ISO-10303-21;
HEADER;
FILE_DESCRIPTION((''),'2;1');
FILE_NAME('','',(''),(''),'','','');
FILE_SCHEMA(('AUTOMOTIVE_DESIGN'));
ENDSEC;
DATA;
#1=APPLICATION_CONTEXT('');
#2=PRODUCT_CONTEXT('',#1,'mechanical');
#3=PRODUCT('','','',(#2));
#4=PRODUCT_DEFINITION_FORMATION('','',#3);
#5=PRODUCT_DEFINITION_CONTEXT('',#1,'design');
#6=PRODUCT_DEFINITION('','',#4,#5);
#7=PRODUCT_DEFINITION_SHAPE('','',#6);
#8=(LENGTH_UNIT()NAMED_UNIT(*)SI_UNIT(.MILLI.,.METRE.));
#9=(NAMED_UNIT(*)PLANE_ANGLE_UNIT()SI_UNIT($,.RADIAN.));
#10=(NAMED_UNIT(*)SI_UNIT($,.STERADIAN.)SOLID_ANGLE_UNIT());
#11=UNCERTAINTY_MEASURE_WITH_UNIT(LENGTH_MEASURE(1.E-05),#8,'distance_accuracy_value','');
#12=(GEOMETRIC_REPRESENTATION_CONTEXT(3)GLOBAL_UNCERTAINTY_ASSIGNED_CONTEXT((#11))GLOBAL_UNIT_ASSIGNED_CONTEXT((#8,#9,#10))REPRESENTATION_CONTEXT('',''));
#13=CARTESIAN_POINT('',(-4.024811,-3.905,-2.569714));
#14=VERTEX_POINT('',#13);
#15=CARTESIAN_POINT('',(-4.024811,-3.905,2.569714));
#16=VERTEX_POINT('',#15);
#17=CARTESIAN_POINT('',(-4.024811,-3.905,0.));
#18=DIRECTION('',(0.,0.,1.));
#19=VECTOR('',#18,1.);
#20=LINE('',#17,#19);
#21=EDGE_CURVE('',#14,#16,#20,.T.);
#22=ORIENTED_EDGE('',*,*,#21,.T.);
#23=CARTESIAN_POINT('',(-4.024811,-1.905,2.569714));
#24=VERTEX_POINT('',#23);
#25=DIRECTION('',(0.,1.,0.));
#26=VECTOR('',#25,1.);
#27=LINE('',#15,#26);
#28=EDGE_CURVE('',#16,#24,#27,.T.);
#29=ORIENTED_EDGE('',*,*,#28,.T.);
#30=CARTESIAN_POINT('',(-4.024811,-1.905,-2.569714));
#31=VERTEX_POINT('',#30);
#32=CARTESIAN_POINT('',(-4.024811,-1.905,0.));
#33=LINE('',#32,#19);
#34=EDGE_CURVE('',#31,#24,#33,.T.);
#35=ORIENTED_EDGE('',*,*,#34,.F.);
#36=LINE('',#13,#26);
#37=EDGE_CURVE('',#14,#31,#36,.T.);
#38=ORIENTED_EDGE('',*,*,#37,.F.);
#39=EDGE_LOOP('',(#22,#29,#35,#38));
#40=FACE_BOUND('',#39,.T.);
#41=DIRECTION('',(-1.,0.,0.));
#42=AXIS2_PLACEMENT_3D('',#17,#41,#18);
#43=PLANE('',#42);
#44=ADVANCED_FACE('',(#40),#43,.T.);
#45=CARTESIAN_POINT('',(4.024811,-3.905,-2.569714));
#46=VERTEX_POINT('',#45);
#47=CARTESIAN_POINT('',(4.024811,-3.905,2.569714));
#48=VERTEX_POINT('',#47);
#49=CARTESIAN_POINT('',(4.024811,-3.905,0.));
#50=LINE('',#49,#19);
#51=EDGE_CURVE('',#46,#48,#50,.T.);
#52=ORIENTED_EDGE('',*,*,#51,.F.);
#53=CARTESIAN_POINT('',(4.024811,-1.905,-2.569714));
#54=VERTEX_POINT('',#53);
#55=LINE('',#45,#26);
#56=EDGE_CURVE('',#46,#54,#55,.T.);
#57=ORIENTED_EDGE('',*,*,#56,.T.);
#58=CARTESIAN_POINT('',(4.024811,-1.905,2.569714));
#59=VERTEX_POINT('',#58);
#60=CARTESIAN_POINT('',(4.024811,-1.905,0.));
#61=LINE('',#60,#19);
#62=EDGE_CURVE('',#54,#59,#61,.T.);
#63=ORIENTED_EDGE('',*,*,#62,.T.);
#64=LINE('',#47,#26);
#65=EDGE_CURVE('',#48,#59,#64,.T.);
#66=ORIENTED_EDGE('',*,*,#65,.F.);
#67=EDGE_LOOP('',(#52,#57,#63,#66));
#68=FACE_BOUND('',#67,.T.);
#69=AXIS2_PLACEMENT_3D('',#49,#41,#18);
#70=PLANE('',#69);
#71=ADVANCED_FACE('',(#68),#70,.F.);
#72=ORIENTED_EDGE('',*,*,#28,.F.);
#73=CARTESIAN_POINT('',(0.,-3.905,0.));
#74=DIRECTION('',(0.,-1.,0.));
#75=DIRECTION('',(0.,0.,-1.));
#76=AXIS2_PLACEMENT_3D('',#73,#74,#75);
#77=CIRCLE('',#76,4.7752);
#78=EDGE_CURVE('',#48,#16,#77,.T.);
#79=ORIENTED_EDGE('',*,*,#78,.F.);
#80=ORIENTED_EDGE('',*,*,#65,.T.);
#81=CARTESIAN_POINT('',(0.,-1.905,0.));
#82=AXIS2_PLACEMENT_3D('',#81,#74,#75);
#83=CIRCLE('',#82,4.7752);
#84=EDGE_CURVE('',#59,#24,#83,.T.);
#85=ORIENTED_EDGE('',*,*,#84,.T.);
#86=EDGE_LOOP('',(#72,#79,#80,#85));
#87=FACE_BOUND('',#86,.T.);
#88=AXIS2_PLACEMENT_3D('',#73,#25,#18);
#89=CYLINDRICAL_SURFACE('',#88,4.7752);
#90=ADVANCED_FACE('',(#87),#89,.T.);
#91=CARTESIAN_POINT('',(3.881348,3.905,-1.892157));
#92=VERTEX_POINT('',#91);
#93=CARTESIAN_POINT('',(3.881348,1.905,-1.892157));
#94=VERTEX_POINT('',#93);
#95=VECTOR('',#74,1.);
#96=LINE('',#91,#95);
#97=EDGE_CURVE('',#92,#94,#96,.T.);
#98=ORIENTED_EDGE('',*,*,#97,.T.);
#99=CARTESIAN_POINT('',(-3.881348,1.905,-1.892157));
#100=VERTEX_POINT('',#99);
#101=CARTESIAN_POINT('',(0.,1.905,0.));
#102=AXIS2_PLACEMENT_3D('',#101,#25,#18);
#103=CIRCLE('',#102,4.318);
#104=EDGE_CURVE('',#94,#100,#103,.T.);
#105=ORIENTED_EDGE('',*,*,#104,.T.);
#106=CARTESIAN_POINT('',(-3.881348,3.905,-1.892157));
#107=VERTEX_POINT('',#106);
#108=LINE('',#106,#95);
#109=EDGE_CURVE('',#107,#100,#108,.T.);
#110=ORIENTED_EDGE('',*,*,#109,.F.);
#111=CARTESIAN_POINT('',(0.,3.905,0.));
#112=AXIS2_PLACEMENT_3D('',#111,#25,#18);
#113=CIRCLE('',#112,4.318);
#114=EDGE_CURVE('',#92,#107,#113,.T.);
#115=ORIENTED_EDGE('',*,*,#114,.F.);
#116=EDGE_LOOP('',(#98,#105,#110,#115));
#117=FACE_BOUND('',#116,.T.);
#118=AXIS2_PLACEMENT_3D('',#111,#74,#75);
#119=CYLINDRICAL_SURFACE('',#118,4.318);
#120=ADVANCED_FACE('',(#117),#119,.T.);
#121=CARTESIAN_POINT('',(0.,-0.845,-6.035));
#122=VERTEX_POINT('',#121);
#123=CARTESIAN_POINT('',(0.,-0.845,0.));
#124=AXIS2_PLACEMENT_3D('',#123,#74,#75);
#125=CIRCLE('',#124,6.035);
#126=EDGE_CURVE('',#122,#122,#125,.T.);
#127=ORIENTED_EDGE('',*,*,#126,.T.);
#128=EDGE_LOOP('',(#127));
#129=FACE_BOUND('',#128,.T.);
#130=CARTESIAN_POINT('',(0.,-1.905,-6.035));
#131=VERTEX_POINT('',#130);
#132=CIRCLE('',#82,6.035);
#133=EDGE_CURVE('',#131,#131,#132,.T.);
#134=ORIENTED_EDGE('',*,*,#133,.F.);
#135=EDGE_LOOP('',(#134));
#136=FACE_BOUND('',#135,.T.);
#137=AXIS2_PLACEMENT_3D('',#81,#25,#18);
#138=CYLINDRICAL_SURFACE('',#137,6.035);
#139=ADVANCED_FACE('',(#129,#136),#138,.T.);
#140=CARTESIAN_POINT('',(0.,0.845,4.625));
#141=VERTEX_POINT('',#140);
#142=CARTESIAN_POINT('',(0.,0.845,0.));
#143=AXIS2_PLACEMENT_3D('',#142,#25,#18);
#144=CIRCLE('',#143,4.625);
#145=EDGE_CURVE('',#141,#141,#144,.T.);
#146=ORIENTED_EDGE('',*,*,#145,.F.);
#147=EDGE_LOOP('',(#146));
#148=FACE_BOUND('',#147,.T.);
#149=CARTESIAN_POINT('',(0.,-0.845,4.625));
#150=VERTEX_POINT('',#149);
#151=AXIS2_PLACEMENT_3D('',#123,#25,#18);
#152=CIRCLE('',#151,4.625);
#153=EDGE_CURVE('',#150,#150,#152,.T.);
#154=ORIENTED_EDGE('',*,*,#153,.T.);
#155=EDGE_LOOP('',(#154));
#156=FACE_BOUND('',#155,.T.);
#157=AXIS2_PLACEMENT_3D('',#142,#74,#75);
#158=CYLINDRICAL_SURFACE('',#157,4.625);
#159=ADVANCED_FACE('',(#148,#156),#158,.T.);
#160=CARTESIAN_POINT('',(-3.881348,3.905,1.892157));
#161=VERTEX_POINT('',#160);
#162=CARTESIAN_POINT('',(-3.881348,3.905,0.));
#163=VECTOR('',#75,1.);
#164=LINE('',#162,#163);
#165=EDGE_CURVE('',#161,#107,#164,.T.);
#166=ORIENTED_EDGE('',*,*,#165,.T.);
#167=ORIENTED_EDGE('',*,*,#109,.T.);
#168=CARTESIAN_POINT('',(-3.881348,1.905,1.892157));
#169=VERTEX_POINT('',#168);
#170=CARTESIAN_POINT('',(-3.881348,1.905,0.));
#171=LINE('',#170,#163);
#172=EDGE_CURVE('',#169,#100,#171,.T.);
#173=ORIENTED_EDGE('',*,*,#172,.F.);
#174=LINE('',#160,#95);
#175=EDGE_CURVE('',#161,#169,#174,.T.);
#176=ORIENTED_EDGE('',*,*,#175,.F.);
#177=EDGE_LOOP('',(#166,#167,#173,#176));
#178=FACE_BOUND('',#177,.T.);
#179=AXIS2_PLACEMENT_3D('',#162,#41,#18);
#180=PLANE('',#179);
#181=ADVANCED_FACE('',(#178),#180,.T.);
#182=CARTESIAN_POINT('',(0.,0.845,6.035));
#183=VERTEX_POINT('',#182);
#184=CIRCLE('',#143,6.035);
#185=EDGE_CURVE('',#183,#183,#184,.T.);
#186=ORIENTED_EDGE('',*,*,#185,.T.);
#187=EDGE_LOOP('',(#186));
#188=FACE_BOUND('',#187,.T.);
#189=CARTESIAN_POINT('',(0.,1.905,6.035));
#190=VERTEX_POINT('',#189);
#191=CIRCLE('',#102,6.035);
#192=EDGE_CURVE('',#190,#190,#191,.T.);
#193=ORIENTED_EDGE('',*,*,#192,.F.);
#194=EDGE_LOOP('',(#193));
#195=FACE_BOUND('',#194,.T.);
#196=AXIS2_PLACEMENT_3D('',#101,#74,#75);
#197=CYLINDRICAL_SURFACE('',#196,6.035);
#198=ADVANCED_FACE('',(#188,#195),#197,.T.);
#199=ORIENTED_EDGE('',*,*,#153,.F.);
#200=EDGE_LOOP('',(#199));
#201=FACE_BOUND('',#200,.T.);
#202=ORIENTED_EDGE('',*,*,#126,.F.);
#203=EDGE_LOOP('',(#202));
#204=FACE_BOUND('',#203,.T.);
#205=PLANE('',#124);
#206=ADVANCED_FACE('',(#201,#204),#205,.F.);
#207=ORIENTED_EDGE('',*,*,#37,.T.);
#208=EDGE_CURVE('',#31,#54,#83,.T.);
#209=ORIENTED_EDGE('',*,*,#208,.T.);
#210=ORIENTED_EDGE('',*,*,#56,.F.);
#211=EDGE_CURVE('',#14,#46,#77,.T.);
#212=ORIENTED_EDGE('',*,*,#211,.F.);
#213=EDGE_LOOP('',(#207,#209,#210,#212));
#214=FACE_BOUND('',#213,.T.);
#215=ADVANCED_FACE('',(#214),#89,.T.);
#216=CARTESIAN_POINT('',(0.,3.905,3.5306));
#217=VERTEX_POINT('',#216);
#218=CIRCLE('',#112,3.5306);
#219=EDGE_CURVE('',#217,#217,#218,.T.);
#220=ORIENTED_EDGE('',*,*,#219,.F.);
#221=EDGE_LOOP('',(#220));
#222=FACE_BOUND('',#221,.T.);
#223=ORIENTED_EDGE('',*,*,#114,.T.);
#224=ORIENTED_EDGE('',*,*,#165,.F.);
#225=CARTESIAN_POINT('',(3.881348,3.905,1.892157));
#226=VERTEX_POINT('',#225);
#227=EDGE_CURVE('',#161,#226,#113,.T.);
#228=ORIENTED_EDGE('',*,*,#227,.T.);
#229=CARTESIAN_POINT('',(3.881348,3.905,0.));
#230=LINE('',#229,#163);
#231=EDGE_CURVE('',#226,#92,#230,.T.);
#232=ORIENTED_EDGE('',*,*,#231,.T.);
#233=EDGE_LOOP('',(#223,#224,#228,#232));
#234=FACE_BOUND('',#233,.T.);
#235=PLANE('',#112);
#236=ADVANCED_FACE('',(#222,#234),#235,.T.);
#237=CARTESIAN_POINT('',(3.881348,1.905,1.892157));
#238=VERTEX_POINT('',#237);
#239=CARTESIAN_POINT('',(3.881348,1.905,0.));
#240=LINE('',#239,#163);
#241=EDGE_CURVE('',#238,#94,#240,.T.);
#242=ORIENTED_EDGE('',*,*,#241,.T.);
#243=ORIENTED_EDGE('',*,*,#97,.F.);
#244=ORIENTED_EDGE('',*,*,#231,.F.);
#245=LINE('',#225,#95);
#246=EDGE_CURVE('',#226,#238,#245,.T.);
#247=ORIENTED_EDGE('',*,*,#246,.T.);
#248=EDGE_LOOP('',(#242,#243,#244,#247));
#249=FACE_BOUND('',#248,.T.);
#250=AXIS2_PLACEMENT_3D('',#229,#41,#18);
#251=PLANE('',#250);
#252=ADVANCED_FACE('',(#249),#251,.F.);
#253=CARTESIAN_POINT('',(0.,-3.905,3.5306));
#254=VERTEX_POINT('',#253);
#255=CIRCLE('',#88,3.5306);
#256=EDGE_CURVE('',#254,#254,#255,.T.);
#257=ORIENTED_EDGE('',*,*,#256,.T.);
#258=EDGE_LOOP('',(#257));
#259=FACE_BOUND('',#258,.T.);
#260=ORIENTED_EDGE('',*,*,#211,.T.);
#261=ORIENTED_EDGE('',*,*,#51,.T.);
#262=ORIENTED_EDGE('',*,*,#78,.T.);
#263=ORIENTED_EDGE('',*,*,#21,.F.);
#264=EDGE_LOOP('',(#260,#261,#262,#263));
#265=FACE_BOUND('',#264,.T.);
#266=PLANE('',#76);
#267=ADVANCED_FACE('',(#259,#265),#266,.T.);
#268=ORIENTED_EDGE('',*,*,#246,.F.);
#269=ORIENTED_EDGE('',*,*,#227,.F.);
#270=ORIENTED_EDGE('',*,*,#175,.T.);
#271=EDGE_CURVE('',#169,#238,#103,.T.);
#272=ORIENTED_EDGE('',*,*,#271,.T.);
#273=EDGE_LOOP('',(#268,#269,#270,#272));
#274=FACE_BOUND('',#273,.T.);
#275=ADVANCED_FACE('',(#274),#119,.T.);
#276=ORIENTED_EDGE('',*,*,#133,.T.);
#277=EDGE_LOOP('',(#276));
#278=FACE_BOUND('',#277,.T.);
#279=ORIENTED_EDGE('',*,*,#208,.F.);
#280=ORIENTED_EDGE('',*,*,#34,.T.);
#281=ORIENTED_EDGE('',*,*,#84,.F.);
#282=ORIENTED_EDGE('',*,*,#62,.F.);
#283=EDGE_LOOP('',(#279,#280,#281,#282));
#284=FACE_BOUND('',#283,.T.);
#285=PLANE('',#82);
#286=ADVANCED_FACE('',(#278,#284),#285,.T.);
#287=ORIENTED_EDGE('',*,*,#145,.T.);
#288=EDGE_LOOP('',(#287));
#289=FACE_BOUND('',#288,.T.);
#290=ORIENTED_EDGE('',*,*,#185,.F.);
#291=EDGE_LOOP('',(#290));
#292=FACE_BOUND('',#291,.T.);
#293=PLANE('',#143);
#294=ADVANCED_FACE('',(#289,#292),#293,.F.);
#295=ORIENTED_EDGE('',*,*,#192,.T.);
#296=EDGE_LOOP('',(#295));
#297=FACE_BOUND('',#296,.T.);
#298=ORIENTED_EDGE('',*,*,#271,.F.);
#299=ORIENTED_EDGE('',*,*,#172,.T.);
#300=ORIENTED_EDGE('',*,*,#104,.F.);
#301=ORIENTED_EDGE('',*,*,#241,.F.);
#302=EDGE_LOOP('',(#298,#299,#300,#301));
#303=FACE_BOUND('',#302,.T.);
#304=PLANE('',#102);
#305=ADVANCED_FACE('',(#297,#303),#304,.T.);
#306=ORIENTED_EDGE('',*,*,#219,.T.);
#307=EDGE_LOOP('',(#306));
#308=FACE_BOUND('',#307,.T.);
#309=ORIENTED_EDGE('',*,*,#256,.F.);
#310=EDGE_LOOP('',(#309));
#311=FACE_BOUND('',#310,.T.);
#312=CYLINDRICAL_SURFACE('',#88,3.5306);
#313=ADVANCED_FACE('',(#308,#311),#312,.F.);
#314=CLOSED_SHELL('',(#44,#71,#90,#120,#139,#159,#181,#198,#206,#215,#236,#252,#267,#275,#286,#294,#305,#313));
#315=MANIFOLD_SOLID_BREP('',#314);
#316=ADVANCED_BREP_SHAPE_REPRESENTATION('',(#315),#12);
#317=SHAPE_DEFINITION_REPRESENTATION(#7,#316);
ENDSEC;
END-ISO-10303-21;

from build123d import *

# Parameters (mm, degrees)
SKETCH1_R           = 4.625
BOSS_EXTRUDE1_DEPTH = 0.845
SKETCH2_R           = 6.035
BOSS_EXTRUDE2_DEPTH = 1.06
SKETCH3_R           = 6.035
BOSS_EXTRUDE3_DEPTH = 1.06
BOSS_EXTRUDE4_DEPTH = 2
BOSS_EXTRUDE5_DEPTH = 2
SKETCH6_R           = 3.5306
CUT_EXTRUDE1_DEPTH  = 8.81


with BuildPart() as part:
    # Sketch1 → Boss-Extrude1 (new body, symmetric)
    with BuildSketch(Plane(origin=(0, 0, 0), x_dir=(1, 0, 0), z_dir=(0, 1, 0))):
        Circle(SKETCH1_R)
    extrude(amount=BOSS_EXTRUDE1_DEPTH, both=True)

    # Sketch2 → Boss-Extrude2 (add)
    with BuildSketch(Plane(origin=(0, 0.845, 0), x_dir=(1, 0, 0), z_dir=(0, 1, 0))):
        Circle(SKETCH2_R)
    extrude(amount=BOSS_EXTRUDE2_DEPTH)

    # Sketch3 → Boss-Extrude3 (add)
    with BuildSketch(Plane.XZ.offset(0.845)):
        Circle(SKETCH3_R)
    extrude(amount=BOSS_EXTRUDE3_DEPTH)

    # Sketch4 → Boss-Extrude4 (add)
    with BuildSketch(Plane(origin=(0, 1.905, 0), x_dir=(1, 0, 0), z_dir=(0, 1, 0))):
        with BuildLine():
            Line((-3.881348315, 1.892157303), (-3.881348315, 0))
            Line((-3.881348315, 0), (-3.881348315, -1.892157303))
            ThreePointArc((-3.881348315, -1.892157303), (0, -4.318), (3.881348315, -1.892157303))
            Line((3.881348315, -1.892157303), (3.881348315, 0))
            Line((3.881348315, 0), (3.881348315, 1.892157303))
            ThreePointArc((3.881348315, 1.892157303), (0, 4.318), (-3.881348315, 1.892157303))
        make_face()
    extrude(amount=BOSS_EXTRUDE4_DEPTH)

    # Sketch5 → Boss-Extrude5 (add)
    with BuildSketch(Plane.XZ.offset(1.905)):
        with BuildLine():
            Line((-4.024811429, 2.569713604), (-4.024811429, 0))
            Line((-4.024811429, 0), (-4.024811429, -2.569713604))
            ThreePointArc((-4.024811429, -2.569713604), (0, -4.7752), (4.024811429, -2.569713604))
            Line((4.024811429, -2.569713604), (4.024811429, 0))
            Line((4.024811429, 0), (4.024811429, 2.569713604))
            ThreePointArc((4.024811429, 2.569713604), (0, 4.7752), (-4.024811429, 2.569713604))
        make_face()
    extrude(amount=BOSS_EXTRUDE5_DEPTH)

    # Sketch6 → Cut-Extrude1 (cut, through all)
    with BuildSketch(Plane(origin=(0, 3.905, 0), x_dir=(1, 0, 0), z_dir=(0, 1, 0))):
        Circle(SKETCH6_R)
    extrude(amount=-CUT_EXTRUDE1_DEPTH, mode=Mode.SUBTRACT)


solid = part.part
